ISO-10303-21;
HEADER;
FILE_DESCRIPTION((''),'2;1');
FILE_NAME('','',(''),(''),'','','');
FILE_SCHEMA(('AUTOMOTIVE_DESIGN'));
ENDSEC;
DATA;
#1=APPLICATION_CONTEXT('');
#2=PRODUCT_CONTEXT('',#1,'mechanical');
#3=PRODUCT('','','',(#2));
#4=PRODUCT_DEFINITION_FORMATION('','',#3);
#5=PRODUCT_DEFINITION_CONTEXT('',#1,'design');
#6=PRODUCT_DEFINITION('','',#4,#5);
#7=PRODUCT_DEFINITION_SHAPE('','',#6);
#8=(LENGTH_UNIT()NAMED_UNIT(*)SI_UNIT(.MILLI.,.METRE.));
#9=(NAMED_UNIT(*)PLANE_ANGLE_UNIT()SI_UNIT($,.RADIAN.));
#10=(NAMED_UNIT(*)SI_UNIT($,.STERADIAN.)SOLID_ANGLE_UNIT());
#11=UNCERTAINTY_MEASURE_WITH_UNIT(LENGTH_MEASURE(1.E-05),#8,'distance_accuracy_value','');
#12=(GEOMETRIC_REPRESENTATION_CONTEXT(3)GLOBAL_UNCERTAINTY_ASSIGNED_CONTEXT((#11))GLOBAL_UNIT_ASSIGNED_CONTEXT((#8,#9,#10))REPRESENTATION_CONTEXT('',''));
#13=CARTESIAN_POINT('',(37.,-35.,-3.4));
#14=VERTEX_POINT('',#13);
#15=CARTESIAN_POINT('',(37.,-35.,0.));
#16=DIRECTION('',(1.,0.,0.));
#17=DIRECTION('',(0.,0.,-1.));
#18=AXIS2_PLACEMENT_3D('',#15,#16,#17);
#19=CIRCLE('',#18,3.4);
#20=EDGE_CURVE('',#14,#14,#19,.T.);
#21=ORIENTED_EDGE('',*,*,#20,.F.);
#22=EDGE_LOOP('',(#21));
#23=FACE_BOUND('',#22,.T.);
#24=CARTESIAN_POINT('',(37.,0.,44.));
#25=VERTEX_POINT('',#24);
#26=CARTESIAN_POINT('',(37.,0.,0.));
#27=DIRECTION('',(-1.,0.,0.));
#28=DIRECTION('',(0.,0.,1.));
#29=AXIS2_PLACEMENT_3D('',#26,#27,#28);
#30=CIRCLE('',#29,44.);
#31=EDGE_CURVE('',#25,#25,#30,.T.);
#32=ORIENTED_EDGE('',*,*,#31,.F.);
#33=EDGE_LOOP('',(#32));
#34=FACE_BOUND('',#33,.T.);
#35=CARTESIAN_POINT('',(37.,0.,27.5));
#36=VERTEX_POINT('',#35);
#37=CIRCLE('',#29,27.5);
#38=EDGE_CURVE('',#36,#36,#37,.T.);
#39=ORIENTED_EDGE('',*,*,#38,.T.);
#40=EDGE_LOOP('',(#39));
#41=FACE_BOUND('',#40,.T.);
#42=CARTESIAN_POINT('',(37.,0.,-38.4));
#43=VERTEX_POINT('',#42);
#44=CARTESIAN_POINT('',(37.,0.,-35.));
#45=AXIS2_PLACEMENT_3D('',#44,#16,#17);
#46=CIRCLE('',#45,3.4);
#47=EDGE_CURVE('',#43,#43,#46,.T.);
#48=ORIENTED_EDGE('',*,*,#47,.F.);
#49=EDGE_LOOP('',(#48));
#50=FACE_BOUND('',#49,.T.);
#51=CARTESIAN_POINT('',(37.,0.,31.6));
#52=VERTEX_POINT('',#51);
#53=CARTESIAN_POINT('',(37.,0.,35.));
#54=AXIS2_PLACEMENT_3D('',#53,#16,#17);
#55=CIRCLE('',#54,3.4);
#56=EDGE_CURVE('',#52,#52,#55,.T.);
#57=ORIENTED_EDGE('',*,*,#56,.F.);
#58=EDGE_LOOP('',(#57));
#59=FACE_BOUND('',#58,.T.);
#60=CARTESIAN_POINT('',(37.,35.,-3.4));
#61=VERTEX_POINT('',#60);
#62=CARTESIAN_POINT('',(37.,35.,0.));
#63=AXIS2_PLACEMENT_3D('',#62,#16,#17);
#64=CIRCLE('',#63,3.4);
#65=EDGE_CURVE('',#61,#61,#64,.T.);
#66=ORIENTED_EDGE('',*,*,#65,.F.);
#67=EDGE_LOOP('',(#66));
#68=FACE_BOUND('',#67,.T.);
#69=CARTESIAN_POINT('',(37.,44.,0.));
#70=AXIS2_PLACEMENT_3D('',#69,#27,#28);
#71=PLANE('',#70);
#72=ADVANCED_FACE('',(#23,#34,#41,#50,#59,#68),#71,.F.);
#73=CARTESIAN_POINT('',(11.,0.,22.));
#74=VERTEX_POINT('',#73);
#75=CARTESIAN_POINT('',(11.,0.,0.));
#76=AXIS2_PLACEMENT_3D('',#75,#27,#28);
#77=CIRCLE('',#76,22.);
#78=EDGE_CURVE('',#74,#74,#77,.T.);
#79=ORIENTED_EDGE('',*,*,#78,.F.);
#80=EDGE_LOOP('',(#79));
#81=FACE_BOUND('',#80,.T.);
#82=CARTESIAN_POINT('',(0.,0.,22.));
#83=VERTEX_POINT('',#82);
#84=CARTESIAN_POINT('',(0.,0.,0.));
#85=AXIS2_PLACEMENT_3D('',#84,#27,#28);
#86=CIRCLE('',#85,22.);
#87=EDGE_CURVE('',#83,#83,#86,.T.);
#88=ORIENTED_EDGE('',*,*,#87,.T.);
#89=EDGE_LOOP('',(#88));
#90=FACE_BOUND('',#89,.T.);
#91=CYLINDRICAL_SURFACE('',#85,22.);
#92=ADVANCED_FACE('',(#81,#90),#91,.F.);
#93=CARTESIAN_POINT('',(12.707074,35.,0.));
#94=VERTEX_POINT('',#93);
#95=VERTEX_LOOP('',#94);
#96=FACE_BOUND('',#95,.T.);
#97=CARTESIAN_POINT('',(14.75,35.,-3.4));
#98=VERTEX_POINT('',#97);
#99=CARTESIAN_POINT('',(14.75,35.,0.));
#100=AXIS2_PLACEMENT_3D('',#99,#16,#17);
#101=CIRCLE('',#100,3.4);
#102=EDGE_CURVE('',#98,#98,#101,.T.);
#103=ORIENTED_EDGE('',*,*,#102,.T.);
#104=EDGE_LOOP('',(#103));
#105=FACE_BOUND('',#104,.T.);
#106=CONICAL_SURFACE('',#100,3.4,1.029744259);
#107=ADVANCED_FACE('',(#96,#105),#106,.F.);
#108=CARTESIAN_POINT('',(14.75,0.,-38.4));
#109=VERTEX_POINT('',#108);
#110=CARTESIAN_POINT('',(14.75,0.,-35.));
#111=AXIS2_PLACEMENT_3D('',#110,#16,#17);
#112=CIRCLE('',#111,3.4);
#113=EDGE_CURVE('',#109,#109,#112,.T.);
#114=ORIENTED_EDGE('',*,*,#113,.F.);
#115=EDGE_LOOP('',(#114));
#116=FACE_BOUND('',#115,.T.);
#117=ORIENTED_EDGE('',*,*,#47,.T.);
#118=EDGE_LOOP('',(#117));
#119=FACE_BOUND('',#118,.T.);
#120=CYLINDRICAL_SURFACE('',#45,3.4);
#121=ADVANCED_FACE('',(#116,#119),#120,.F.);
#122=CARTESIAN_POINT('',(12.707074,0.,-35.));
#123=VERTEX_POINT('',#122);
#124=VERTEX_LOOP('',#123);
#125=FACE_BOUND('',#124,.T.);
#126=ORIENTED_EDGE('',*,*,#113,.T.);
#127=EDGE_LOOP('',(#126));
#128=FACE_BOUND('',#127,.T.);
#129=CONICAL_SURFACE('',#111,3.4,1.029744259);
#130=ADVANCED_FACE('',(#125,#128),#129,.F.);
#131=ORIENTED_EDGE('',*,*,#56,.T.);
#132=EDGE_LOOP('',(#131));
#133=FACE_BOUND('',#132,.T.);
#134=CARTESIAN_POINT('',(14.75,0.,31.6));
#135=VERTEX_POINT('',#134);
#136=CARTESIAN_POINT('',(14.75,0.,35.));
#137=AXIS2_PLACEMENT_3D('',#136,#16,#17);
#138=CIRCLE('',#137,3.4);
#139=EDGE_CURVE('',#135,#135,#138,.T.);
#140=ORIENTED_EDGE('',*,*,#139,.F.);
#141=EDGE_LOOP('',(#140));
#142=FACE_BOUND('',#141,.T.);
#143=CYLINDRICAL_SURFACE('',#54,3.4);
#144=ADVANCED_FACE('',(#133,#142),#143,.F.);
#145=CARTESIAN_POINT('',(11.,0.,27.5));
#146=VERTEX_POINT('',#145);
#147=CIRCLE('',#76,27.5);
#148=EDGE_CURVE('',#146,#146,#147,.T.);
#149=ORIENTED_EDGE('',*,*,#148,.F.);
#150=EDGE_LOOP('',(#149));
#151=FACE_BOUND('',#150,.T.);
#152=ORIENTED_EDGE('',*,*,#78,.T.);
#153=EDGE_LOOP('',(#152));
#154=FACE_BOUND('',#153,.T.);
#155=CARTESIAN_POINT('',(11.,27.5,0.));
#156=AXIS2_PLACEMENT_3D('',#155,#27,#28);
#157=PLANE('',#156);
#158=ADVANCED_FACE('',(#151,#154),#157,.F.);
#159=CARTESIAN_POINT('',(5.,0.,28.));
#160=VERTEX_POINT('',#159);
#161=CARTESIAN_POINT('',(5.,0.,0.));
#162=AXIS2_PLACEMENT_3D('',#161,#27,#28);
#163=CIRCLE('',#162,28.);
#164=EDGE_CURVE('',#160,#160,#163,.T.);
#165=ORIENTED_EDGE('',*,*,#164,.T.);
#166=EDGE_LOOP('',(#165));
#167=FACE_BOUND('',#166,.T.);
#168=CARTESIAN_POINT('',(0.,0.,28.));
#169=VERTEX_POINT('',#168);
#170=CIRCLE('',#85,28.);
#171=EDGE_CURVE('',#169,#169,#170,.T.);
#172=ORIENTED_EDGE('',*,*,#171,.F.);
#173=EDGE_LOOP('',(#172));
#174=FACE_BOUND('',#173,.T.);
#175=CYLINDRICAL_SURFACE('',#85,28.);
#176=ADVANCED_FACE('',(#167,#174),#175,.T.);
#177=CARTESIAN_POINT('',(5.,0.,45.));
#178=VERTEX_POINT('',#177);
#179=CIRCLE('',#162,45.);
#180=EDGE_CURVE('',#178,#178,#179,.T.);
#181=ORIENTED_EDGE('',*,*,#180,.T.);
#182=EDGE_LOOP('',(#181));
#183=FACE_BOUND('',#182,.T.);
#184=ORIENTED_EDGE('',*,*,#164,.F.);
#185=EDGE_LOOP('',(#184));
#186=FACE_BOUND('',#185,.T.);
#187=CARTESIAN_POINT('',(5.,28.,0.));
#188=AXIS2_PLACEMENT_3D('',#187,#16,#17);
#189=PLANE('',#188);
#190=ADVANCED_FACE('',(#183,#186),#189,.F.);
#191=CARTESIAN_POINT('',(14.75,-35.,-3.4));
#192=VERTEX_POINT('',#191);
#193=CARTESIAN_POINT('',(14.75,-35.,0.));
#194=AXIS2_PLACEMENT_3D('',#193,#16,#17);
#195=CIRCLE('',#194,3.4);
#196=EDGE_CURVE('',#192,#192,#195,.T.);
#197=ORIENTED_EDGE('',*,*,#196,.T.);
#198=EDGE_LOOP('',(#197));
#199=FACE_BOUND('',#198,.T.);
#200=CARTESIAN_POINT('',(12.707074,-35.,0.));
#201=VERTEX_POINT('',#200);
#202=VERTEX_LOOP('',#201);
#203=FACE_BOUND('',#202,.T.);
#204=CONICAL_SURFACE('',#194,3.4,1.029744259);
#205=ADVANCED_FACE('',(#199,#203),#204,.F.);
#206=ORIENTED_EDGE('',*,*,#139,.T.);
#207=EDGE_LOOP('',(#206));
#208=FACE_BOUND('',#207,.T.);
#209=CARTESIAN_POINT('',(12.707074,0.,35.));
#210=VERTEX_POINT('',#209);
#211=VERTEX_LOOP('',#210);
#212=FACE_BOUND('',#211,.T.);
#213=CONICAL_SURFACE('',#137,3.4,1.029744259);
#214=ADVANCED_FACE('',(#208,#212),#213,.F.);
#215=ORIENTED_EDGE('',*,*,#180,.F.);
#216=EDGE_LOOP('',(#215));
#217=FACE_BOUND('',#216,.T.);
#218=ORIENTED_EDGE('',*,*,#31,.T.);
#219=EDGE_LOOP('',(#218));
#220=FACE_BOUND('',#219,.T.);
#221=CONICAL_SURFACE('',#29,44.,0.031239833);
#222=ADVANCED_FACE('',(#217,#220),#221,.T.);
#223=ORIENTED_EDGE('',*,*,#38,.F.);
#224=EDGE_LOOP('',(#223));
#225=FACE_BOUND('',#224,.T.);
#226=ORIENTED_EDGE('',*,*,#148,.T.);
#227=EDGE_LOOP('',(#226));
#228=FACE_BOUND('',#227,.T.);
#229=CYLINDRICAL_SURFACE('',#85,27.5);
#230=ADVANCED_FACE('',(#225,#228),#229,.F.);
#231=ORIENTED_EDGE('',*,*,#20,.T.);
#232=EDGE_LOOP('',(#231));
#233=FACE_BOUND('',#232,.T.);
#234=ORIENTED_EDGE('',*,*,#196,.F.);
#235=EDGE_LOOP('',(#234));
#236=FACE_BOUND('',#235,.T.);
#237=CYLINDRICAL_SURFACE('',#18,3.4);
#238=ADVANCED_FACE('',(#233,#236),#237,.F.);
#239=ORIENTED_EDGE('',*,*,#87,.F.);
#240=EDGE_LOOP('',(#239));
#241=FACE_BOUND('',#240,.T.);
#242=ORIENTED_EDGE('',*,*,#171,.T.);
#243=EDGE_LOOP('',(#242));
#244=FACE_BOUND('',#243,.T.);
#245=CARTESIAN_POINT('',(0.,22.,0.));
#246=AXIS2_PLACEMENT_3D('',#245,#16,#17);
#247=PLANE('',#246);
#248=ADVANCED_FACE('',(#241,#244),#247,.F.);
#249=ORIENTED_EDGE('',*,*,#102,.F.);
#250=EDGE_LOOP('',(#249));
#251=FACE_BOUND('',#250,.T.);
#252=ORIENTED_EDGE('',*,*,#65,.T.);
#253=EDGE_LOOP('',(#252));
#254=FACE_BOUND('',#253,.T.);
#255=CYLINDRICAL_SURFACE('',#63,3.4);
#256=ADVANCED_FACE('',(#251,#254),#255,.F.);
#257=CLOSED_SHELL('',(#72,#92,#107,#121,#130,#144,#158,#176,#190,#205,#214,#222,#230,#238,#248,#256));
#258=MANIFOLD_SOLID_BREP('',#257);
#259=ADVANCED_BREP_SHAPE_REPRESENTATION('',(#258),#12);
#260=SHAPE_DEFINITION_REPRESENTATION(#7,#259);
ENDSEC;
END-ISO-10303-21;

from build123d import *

# Parameters (mm, degrees)
DAIRESEL_KAPLAMA1_COUNT = 4


with BuildPart() as part:
    # Çizim2 → Döndür1 (revolve)
    with BuildSketch(Plane.XY, mode=Mode.PRIVATE) as d_nd_r1_sk:
        Polygon((0, 22), (11, 22), (11, 27.5), (37, 27.5), (37, 44), (5, 45), (5, 28), (0, 28), align=None)
    revolve(d_nd_r1_sk.sketch.rotate(Axis((0, 0, 0), (1, 0, 0)), 90), axis=Axis((0, 0, 0), (1, 0, 0)))

    # Çizim5 → M8 Dişli Delik1 (revolve, cut)
    with BuildSketch(Plane(origin=(37, 35, 0), x_dir=(0, 0, -1), z_dir=(0, 1, 0))):
        Polygon((0, 0), (0, 24.292926105), (3.4, 22.25), (3.4, 0), align=None)
    m8_di_li_delik1 = revolve(axis=Axis((43.35, 35, 0), (-1, 0, 0)), mode=Mode.SUBTRACT)

    # Dairesel Kaplama1: M8 Dişli Delik1 ×4 about axis
    dairesel_kaplama1_axis = Axis((0, 0, 0), (1, 0, 0))
    for i in range(1, DAIRESEL_KAPLAMA1_COUNT):
        add(m8_di_li_delik1.rotate(dairesel_kaplama1_axis, i * 360 / DAIRESEL_KAPLAMA1_COUNT), mode=Mode.SUBTRACT)


solid = part.part
